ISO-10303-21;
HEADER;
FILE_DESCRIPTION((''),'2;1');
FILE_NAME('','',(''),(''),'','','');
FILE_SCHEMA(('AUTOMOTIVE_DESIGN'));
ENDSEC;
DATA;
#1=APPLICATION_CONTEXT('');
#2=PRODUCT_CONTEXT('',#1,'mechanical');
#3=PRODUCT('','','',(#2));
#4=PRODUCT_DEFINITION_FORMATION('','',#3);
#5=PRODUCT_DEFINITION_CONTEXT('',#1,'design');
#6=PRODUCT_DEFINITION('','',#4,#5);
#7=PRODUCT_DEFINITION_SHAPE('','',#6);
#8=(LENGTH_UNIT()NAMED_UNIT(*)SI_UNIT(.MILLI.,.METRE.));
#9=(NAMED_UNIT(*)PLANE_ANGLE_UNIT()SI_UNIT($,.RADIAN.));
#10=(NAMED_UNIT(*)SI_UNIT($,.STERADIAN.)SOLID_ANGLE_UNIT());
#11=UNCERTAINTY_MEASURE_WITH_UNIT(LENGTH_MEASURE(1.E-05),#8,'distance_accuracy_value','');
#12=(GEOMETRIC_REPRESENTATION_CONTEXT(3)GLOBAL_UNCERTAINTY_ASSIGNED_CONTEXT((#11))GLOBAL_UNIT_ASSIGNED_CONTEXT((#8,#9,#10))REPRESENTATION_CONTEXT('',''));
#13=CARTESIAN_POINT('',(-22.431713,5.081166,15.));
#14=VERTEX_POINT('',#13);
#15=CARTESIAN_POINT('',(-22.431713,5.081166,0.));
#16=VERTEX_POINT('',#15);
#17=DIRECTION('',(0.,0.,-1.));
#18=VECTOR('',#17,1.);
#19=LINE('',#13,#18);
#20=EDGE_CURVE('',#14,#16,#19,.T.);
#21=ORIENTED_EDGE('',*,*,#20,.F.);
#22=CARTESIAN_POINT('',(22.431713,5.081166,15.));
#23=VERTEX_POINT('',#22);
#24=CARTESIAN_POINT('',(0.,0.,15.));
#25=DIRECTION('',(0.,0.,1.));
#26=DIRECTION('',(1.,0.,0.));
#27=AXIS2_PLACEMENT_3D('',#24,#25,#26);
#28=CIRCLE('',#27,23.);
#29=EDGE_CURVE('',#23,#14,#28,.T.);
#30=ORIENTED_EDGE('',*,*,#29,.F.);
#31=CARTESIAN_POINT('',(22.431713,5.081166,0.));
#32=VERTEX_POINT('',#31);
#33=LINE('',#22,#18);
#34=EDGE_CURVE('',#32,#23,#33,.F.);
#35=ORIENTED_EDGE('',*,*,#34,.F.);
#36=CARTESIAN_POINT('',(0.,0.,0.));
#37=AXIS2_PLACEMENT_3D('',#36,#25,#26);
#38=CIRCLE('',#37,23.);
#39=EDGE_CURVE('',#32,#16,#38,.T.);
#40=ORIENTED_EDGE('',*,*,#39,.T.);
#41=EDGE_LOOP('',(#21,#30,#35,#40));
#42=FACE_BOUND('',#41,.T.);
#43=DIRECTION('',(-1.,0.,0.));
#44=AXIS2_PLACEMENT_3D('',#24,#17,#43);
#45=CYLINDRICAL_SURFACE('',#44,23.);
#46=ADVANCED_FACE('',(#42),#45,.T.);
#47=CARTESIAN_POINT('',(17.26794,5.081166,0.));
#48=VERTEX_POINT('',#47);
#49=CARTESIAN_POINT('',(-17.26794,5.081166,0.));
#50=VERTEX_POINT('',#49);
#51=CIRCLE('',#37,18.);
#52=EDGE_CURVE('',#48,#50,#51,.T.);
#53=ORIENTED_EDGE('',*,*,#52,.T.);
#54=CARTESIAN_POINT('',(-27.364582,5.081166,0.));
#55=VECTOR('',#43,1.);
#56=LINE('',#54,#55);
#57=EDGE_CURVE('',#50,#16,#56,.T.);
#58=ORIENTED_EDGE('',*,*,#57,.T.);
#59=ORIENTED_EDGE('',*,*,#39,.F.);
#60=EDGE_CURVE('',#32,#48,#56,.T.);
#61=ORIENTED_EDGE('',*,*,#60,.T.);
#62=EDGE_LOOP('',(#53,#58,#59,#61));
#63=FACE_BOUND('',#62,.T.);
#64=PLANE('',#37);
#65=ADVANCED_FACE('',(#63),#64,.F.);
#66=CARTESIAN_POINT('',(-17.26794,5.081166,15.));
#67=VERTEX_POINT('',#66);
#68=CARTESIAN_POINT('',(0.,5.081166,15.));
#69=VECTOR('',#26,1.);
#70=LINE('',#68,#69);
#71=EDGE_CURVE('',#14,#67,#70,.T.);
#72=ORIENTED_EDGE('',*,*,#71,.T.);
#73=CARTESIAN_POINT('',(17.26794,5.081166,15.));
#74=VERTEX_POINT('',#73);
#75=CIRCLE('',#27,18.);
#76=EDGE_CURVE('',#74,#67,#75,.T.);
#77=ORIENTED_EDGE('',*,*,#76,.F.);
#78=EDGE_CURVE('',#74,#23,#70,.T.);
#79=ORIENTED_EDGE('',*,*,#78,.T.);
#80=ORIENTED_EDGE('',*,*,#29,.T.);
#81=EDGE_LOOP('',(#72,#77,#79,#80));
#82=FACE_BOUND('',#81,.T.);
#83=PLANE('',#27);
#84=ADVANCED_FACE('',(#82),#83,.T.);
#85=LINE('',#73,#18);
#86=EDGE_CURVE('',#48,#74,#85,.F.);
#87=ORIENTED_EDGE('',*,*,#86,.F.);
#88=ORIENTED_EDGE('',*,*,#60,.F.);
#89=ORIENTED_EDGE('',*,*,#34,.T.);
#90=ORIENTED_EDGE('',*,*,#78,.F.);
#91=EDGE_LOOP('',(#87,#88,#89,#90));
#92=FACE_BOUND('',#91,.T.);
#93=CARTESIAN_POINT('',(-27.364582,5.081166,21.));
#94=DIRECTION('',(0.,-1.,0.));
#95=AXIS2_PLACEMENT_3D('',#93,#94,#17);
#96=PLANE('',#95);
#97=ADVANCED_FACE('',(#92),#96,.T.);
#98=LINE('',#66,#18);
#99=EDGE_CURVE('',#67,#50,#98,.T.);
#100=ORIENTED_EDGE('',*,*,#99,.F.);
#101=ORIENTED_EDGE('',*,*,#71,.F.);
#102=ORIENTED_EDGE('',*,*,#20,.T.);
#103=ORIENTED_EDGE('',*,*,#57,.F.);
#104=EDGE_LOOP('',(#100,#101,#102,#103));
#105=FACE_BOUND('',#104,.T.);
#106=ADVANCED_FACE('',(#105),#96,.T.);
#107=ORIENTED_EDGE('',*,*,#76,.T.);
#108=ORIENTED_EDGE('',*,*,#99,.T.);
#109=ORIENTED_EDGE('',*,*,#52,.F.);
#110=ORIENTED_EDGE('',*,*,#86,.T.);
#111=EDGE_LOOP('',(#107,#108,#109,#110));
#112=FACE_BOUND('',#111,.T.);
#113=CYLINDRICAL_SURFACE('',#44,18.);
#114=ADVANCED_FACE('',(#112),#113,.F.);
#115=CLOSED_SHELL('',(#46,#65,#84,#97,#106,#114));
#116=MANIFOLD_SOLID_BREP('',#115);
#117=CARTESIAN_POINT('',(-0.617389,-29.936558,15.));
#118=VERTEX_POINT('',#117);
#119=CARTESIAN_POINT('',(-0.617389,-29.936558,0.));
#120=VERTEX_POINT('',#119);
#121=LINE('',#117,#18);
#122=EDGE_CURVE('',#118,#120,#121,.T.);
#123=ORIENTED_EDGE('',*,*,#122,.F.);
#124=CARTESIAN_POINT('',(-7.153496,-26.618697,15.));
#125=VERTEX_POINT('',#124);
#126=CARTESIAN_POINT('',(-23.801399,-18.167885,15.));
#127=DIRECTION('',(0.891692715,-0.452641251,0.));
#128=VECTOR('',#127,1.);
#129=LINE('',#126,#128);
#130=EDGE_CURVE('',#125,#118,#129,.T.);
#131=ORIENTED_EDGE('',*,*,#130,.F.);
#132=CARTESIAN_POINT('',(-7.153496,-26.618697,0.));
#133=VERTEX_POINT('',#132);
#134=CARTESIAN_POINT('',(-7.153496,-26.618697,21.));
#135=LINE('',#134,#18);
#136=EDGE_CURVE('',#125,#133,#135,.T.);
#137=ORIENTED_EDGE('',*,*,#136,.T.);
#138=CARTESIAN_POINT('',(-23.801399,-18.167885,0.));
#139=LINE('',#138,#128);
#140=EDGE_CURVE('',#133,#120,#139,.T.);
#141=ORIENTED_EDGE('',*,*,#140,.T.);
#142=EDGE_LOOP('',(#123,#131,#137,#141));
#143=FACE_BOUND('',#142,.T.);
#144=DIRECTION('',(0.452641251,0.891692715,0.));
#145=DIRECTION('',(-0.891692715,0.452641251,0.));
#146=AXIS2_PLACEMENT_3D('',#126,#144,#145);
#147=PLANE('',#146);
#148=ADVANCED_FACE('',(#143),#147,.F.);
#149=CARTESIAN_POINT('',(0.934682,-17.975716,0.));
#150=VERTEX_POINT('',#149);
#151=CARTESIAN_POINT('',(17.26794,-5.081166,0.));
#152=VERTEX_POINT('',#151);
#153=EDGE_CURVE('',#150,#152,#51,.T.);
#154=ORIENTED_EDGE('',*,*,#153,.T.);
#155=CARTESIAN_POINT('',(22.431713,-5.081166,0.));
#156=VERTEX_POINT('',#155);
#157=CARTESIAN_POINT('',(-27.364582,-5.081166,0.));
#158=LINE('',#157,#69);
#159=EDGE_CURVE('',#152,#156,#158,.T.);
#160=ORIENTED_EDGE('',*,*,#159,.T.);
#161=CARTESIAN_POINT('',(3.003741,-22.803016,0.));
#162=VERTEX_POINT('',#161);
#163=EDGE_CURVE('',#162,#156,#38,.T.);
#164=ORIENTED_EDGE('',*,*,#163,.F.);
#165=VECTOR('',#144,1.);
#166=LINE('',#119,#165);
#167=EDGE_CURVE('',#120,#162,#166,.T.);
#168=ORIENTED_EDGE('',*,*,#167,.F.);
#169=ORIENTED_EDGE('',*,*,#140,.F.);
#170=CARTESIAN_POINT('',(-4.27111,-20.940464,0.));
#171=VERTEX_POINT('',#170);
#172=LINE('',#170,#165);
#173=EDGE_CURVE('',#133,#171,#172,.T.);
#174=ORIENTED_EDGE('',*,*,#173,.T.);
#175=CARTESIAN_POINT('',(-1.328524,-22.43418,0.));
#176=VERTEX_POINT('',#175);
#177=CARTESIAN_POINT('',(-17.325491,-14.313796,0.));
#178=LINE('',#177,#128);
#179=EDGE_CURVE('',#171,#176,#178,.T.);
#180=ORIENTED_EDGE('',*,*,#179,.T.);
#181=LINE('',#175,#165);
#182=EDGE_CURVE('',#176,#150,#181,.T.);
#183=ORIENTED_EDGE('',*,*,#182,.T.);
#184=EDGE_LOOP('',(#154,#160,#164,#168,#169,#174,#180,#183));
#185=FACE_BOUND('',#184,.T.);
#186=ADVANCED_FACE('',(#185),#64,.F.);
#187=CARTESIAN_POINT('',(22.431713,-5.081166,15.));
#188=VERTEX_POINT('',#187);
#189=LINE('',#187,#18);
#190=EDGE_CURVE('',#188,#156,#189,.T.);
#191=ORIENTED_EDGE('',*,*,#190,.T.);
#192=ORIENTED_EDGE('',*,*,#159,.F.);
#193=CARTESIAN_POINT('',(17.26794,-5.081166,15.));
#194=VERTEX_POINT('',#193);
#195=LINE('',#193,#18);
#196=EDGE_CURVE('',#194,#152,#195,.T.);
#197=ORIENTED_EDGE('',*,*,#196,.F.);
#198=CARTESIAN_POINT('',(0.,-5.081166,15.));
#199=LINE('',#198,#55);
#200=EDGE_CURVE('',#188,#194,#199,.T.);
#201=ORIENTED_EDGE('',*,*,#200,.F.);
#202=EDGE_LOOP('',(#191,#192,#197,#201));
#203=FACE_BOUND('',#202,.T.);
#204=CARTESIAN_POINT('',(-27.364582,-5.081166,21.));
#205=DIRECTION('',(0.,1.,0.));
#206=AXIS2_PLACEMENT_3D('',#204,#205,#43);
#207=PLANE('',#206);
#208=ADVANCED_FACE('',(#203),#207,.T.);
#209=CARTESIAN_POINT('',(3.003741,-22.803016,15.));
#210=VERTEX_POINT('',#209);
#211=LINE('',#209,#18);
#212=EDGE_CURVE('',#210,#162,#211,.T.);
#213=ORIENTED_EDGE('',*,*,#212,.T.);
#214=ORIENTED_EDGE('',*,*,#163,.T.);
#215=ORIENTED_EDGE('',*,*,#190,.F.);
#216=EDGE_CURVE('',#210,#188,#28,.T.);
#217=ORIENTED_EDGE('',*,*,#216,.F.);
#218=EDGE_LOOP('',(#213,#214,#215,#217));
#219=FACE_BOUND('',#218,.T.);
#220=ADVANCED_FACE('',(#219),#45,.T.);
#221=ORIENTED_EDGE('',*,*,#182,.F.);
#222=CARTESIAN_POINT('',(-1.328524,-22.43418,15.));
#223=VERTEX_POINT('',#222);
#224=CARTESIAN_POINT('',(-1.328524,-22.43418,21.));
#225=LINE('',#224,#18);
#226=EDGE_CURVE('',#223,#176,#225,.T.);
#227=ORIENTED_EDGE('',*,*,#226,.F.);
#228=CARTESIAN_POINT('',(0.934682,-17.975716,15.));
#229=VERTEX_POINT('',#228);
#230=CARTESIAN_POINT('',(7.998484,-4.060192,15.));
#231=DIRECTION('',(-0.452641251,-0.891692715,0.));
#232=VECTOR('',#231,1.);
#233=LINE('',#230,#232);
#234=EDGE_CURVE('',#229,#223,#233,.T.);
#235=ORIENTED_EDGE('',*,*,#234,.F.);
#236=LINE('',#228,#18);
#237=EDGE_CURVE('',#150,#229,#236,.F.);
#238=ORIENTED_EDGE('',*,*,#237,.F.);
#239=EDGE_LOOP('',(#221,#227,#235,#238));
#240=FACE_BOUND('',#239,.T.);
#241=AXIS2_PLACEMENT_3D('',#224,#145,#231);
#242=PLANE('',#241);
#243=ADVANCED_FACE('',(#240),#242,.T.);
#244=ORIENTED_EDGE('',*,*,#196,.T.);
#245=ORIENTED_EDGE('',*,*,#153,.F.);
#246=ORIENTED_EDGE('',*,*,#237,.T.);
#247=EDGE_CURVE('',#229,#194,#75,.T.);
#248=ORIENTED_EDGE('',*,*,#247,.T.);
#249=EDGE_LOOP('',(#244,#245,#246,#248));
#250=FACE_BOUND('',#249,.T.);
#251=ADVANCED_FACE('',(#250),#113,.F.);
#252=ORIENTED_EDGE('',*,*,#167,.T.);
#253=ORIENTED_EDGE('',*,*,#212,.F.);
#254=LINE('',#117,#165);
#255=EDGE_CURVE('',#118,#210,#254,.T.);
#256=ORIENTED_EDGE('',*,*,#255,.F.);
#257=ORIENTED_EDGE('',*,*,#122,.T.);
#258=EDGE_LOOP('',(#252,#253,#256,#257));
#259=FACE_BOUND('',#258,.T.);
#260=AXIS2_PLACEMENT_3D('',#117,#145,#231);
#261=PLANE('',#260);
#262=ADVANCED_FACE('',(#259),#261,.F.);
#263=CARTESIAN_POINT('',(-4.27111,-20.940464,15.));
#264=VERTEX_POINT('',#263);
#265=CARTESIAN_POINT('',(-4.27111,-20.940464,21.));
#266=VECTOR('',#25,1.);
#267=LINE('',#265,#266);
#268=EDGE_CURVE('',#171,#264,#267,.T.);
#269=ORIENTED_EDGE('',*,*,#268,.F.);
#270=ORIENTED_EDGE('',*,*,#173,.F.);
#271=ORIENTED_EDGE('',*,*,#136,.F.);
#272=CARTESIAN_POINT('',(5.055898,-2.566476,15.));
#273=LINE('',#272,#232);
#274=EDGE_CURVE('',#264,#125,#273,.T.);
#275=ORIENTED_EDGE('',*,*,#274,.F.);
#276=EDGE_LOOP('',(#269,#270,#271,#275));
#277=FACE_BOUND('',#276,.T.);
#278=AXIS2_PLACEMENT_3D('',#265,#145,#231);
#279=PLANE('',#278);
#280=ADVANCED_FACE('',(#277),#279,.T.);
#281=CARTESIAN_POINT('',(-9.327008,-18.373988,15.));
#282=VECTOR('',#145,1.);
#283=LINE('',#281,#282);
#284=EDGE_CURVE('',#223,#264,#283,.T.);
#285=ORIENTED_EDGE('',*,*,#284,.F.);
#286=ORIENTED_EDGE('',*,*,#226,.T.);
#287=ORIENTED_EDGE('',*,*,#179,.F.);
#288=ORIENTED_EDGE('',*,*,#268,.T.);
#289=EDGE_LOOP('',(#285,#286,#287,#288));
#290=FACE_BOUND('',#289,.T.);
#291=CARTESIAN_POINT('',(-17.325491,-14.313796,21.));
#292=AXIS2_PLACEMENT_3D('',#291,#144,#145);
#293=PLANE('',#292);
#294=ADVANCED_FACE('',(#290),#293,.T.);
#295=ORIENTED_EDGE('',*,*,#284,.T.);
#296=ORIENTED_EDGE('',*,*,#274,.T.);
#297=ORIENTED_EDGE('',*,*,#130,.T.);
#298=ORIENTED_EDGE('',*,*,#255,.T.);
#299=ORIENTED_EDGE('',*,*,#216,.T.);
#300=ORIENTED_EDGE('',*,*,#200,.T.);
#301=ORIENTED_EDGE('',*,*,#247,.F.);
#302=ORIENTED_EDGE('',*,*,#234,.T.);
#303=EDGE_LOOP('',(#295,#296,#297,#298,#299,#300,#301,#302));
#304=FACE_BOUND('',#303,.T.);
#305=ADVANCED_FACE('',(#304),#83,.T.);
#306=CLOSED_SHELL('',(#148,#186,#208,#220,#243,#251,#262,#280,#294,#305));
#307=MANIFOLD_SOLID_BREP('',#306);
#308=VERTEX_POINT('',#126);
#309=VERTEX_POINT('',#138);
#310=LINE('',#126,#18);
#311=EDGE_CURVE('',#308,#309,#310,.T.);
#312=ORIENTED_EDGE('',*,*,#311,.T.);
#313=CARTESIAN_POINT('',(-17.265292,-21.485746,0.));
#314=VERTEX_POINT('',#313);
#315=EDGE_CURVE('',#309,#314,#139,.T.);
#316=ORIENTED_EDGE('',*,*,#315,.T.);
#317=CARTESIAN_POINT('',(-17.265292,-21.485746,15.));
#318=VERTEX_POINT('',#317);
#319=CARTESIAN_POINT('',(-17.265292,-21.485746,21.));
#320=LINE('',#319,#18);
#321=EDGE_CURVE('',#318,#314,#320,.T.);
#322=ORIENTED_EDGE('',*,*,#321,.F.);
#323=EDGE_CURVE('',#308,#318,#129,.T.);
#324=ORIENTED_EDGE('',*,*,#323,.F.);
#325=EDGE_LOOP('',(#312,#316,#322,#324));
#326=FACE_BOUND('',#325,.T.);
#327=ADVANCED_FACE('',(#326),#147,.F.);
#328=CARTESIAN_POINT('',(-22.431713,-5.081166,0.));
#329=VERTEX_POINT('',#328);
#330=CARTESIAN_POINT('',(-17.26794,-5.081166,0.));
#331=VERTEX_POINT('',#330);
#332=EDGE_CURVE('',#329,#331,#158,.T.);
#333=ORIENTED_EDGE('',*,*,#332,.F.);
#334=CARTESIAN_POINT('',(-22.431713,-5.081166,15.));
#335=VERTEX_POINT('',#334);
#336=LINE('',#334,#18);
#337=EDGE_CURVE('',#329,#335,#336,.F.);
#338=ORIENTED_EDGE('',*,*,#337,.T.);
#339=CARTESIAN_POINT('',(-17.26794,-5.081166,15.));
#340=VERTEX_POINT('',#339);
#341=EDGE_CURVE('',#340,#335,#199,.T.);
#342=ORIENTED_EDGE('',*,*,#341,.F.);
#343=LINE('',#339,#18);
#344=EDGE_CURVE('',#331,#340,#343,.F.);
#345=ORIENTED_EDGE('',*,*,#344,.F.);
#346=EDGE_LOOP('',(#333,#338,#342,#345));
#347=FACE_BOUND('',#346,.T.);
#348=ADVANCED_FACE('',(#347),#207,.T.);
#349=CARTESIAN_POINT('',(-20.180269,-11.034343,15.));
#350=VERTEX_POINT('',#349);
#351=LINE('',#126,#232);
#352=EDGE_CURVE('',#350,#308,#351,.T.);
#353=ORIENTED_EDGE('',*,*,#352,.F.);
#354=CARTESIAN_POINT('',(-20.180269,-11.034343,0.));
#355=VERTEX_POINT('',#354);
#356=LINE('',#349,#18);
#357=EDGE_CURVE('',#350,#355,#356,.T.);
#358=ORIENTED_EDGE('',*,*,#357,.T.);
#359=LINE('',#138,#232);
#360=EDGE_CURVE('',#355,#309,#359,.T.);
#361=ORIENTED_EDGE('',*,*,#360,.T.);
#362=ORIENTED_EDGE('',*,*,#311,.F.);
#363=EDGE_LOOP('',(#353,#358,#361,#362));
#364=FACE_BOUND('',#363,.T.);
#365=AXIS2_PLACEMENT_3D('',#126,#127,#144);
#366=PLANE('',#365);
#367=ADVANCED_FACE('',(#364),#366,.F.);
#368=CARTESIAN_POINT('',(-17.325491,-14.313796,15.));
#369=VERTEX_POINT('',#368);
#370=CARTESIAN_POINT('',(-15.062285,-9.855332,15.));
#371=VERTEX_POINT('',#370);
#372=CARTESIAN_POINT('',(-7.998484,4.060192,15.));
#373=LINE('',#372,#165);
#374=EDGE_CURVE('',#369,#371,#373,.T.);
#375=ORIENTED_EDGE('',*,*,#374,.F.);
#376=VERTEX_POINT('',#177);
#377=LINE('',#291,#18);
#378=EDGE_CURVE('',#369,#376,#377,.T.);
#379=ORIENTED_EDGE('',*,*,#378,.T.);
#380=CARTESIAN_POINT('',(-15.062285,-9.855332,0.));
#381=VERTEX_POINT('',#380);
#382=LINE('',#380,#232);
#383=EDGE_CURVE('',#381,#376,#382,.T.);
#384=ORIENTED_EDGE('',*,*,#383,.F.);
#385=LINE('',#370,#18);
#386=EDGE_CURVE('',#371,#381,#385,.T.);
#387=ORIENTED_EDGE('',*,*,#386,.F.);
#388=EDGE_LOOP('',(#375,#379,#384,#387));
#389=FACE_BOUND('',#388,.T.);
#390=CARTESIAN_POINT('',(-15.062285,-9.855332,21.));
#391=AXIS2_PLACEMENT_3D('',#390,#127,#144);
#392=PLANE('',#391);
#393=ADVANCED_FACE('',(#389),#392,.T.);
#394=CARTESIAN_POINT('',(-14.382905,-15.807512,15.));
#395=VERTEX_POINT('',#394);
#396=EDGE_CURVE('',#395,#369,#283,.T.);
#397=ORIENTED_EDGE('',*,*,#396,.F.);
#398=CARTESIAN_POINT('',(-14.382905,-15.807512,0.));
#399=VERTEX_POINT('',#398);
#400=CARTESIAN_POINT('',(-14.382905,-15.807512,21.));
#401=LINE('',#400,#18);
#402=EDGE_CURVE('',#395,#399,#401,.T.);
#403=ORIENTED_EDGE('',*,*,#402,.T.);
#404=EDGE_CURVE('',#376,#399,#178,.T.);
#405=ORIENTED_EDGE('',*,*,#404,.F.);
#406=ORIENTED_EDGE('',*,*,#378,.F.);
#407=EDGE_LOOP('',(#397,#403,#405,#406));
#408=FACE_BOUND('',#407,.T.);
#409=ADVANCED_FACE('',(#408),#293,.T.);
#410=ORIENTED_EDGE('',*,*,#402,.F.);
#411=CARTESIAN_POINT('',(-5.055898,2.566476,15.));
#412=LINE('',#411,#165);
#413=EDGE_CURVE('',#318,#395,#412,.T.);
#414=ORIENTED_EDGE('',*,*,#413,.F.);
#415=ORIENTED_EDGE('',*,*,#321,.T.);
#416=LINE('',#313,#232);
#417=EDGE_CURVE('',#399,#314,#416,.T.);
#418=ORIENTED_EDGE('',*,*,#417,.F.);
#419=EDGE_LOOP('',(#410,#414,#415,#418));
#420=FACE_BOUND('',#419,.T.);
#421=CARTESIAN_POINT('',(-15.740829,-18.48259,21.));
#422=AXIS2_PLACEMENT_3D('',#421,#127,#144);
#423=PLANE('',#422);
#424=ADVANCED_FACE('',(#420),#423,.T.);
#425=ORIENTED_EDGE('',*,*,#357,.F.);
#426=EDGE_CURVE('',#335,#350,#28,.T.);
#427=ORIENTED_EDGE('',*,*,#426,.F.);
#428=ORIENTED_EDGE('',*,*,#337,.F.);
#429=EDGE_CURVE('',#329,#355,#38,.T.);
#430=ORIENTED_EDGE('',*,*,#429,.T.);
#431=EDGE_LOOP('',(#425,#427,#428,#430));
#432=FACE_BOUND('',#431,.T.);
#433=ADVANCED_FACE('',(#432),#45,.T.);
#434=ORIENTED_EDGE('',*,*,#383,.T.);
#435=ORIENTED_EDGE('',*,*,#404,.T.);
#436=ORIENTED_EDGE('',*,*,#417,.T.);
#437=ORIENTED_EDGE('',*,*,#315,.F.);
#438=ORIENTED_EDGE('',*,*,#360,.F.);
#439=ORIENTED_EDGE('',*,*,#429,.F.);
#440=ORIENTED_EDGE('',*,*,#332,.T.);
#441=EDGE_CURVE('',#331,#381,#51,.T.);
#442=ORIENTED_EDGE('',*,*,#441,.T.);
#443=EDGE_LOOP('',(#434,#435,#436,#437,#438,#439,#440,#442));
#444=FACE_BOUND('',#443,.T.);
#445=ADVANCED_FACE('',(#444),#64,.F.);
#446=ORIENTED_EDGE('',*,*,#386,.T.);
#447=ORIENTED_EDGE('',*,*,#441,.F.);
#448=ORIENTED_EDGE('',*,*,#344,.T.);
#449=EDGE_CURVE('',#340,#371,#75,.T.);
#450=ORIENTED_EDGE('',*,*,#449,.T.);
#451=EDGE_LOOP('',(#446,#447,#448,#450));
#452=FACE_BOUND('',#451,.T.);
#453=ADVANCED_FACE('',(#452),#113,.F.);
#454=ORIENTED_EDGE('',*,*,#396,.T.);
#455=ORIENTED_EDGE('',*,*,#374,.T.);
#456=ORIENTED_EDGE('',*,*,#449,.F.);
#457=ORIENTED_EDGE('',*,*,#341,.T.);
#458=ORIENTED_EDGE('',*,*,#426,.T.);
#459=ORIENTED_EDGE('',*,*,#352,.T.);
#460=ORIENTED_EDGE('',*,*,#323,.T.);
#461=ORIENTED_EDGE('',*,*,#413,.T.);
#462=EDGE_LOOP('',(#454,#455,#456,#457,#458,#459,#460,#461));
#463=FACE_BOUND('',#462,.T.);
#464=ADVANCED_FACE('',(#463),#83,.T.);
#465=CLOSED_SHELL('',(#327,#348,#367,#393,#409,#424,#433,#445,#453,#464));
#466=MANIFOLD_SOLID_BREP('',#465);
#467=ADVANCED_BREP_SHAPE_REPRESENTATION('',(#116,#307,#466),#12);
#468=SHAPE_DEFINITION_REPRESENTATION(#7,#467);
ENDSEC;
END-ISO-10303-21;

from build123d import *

# Parameters (mm, degrees)
SKETCH1_R           = 23
SKETCH1_R_2         = 18
BOSS_EXTRUDE1_DEPTH = 15
BOSS_EXTRUDE2_DEPTH = 15
CUT_EXTRUDE1_DEPTH  = 21
BOSS_EXTRUDE3_DEPTH = 21
SKETCH7_R           = 2.2
CUT_EXTRUDE2_DEPTH  = 21
CUT_EXTRUDE3_DEPTH  = 21
SKETCH9_W           = 54.729163564
SKETCH9_H           = 10.162331038
CUT_EXTRUDE4_DEPTH  = 21
CUT_EXTRUDE5_DEPTH  = 21


with BuildPart() as part:
    # Sketch1 → Boss-Extrude1 (new body)
    with BuildSketch(Plane.XY):
        Circle(SKETCH1_R)
        Circle(SKETCH1_R_2, mode=Mode.SUBTRACT)
    extrude(amount=BOSS_EXTRUDE1_DEPTH)

    # Sketch3 → Boss-Extrude2 (add)
    with BuildSketch(Plane.XY):
        with BuildLine():
            Line((-23.80139919, -18.167885182), (-0.617388595, -29.936557696))
            Line((-0.617388595, -29.936557696), (3.003741409, -22.803015975))
            ThreePointArc((3.003741409, -22.803015975), (-10.410748762, -20.508932449), (-20.180269185, -11.034343461))
            Line((-20.180269185, -11.034343461), (-23.80139919, -18.167885182))
        make_face()
    extrude(amount=BOSS_EXTRUDE2_DEPTH)

    # Sketch5 → Cut-Extrude1 (cut)
    with BuildSketch(Plane.XY):
        with BuildLine():
            Line((-15.062285021, -9.855332057), (-17.325491273, -14.313795633))
            Line((-17.325491273, -14.313795633), (-1.328523963, -22.434179668))
            Line((-1.328523963, -22.434179668), (0.93468229, -17.975716092))
            ThreePointArc((0.93468229, -17.975716092), (-8.14754251, -16.050468873), (-15.062285021, -9.855332057))
        make_face()
    extrude(amount=CUT_EXTRUDE1_DEPTH, mode=Mode.SUBTRACT)

    # Sketch6 → Boss-Extrude3 (add)
    with BuildSketch(Plane.XY):
        with BuildLine():
            ThreePointArc((-22.555487137, -4.5), (-26.136916399, 0), (-22.555487137, 4.5))
            ThreePointArc((-22.555487137, 4.5), (-23, 0), (-22.555487137, -4.5))
        make_face()
        with BuildLine():
            ThreePointArc((22.555487137, -4.5), (25.860234666, 0), (22.555487137, 4.5))
            ThreePointArc((22.555487137, 4.5), (23, 0), (22.555487137, -4.5))
        make_face()
    extrude(amount=BOSS_EXTRUDE3_DEPTH)

    # Sketch7 → Cut-Extrude2 (cut)
    with BuildSketch(Plane.XY):
        with Locations(Location((-21.5, 0, 0), (0, 0, 130.877182194))):
            Circle(SKETCH7_R)
        with Locations(Location((21.5, 0, 0), (0, 0, 49.122817806))):
            Circle(SKETCH7_R)
    extrude(amount=CUT_EXTRUDE2_DEPTH, mode=Mode.SUBTRACT)

    # Sketch8 → Cut-Extrude3 (cut)
    with BuildSketch(Plane.XY):
        Polygon((-14.382905313, -15.80751176), (-4.271109923, -20.940463541), (-5.629033675, -23.615541687), (-15.740829065, -18.482589905), align=None)
    extrude(amount=CUT_EXTRUDE3_DEPTH, mode=Mode.SUBTRACT)

    # Sketch9 → Cut-Extrude4 (cut)
    with BuildSketch(Plane.XY):
        Rectangle(SKETCH9_W, SKETCH9_H)
    extrude(amount=CUT_EXTRUDE4_DEPTH, mode=Mode.SUBTRACT)


with BuildPart() as cut_extrude4_piece_1:
    # of the separate pieces the step leaves, piece 1, a body of its own (cut_extrude4_pieces)
    add(part.part.solids().sort_by_distance((3.003741409, -22.803015975, 0))[0])

    # Sketch10 → Cut-Extrude5 (cut)
    with BuildSketch(Plane.XY):
        Polygon((-15.740829065, -18.482589905), (-5.629033675, -23.615541687), (-7.153496197, -26.61869733), (-17.265291587, -21.485745549), align=None)
    extrude(amount=CUT_EXTRUDE5_DEPTH, mode=Mode.SUBTRACT)


with BuildPart() as cut_extrude4_piece_2:
    # of the separate pieces the step leaves, piece 2, a body of its own (cut_extrude4_pieces)
    add(part.part.solids().sort_by_distance((-17.267940148, 5.081165519, 0))[0])


with BuildPart() as cut_extrude5_piece_1:
    # of the separate pieces the step leaves, piece 1, a body of its own (cut_extrude5_pieces)
    add(cut_extrude4_piece_1.part.solids().sort_by_distance((3.003741409, -22.803015975, 0))[0])


with BuildPart() as cut_extrude5_piece_2:
    # of the separate pieces the step leaves, piece 2, a body of its own (cut_extrude5_pieces)
    add(cut_extrude4_piece_1.part.solids().sort_by_distance((-22.431713197, -5.081165519, 0))[0])


solid = Compound([cut_extrude4_piece_2.part, cut_extrude5_piece_1.part, cut_extrude5_piece_2.part])
